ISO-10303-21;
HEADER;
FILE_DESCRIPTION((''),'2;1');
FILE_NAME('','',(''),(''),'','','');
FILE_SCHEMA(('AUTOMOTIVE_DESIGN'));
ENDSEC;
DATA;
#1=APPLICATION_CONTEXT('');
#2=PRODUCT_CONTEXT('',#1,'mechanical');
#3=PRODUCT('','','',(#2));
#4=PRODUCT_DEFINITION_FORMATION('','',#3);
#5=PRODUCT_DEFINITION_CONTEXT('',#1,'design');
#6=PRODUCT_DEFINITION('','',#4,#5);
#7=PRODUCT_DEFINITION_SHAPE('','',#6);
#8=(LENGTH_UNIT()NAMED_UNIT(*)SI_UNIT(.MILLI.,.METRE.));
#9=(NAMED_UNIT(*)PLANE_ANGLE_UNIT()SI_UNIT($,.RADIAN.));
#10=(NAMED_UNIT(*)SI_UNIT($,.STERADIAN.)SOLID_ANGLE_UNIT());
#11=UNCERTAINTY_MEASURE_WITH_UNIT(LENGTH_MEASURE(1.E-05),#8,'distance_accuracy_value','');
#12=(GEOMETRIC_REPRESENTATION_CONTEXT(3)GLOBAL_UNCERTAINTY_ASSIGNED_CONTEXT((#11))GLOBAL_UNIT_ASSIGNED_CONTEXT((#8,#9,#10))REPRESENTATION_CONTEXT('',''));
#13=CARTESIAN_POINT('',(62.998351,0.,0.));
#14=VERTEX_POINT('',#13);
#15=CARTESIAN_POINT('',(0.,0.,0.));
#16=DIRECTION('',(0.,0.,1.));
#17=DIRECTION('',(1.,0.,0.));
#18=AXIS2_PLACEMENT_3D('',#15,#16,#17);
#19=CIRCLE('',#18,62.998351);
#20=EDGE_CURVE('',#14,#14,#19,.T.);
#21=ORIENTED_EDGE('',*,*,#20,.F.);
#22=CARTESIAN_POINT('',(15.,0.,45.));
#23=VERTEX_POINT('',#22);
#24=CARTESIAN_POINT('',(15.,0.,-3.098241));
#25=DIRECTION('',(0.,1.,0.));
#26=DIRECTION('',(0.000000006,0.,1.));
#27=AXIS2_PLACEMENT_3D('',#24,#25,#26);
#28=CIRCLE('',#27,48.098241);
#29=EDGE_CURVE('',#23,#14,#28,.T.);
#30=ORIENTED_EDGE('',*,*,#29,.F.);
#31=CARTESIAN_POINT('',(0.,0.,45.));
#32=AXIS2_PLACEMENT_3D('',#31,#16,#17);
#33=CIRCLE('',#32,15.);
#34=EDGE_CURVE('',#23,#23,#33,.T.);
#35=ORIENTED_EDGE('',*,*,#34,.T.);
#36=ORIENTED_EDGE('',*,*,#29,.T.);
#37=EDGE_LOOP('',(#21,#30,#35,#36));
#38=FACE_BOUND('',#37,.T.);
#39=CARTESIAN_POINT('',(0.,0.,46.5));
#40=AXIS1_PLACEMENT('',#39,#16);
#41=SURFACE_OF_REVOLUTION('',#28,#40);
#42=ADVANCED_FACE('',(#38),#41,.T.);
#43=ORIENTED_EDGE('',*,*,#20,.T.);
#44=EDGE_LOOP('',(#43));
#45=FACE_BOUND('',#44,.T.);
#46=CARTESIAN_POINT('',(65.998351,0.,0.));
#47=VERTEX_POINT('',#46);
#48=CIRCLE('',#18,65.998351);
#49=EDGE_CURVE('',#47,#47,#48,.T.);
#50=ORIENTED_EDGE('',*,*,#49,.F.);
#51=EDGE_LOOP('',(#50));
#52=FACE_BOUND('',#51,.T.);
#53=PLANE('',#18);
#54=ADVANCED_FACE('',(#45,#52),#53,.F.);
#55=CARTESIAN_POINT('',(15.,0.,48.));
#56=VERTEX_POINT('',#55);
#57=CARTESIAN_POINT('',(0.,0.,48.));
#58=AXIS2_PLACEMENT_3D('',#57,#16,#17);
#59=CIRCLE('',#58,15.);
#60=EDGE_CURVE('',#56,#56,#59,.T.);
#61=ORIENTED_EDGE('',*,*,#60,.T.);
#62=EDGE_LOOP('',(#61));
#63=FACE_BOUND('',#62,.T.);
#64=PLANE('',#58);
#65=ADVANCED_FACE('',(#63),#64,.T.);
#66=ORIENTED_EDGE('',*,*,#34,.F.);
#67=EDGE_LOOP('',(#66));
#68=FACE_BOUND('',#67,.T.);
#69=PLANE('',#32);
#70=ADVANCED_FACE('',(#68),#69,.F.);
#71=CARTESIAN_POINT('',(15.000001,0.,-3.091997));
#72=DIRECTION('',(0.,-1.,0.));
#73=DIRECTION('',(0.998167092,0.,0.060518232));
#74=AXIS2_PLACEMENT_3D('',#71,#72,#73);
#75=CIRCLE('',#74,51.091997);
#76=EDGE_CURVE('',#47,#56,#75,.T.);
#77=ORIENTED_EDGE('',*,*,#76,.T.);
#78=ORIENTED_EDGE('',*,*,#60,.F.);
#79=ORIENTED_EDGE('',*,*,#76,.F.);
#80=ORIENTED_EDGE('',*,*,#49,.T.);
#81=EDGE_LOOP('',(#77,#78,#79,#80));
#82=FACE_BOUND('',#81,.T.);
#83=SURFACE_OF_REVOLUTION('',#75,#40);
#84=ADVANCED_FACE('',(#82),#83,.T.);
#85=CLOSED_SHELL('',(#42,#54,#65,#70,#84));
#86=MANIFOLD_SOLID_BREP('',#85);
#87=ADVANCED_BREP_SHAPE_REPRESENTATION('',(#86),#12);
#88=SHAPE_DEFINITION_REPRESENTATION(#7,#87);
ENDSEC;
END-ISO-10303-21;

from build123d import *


with BuildPart() as f1:
    # F0 (on Front) → F1 (revolve)
    with BuildSketch(Plane.XZ):
        with BuildLine():
            Line((0, 48), (0, 45))
            Line((0, 45), (15, 45))
            ThreePointArc((15, 45), (47.896967, 31.990651), (62.998351, 0))
            Line((62.998351, 0), (65.998351, 0))
            ThreePointArc((65.998351, 0), (50.017252, 34.11263), (15, 48))
            Line((15, 48), (0, 48))
        make_face()
    revolve(axis=Axis((0, 0, 46.5), (0, 0, 1)))


solid = f1.part
